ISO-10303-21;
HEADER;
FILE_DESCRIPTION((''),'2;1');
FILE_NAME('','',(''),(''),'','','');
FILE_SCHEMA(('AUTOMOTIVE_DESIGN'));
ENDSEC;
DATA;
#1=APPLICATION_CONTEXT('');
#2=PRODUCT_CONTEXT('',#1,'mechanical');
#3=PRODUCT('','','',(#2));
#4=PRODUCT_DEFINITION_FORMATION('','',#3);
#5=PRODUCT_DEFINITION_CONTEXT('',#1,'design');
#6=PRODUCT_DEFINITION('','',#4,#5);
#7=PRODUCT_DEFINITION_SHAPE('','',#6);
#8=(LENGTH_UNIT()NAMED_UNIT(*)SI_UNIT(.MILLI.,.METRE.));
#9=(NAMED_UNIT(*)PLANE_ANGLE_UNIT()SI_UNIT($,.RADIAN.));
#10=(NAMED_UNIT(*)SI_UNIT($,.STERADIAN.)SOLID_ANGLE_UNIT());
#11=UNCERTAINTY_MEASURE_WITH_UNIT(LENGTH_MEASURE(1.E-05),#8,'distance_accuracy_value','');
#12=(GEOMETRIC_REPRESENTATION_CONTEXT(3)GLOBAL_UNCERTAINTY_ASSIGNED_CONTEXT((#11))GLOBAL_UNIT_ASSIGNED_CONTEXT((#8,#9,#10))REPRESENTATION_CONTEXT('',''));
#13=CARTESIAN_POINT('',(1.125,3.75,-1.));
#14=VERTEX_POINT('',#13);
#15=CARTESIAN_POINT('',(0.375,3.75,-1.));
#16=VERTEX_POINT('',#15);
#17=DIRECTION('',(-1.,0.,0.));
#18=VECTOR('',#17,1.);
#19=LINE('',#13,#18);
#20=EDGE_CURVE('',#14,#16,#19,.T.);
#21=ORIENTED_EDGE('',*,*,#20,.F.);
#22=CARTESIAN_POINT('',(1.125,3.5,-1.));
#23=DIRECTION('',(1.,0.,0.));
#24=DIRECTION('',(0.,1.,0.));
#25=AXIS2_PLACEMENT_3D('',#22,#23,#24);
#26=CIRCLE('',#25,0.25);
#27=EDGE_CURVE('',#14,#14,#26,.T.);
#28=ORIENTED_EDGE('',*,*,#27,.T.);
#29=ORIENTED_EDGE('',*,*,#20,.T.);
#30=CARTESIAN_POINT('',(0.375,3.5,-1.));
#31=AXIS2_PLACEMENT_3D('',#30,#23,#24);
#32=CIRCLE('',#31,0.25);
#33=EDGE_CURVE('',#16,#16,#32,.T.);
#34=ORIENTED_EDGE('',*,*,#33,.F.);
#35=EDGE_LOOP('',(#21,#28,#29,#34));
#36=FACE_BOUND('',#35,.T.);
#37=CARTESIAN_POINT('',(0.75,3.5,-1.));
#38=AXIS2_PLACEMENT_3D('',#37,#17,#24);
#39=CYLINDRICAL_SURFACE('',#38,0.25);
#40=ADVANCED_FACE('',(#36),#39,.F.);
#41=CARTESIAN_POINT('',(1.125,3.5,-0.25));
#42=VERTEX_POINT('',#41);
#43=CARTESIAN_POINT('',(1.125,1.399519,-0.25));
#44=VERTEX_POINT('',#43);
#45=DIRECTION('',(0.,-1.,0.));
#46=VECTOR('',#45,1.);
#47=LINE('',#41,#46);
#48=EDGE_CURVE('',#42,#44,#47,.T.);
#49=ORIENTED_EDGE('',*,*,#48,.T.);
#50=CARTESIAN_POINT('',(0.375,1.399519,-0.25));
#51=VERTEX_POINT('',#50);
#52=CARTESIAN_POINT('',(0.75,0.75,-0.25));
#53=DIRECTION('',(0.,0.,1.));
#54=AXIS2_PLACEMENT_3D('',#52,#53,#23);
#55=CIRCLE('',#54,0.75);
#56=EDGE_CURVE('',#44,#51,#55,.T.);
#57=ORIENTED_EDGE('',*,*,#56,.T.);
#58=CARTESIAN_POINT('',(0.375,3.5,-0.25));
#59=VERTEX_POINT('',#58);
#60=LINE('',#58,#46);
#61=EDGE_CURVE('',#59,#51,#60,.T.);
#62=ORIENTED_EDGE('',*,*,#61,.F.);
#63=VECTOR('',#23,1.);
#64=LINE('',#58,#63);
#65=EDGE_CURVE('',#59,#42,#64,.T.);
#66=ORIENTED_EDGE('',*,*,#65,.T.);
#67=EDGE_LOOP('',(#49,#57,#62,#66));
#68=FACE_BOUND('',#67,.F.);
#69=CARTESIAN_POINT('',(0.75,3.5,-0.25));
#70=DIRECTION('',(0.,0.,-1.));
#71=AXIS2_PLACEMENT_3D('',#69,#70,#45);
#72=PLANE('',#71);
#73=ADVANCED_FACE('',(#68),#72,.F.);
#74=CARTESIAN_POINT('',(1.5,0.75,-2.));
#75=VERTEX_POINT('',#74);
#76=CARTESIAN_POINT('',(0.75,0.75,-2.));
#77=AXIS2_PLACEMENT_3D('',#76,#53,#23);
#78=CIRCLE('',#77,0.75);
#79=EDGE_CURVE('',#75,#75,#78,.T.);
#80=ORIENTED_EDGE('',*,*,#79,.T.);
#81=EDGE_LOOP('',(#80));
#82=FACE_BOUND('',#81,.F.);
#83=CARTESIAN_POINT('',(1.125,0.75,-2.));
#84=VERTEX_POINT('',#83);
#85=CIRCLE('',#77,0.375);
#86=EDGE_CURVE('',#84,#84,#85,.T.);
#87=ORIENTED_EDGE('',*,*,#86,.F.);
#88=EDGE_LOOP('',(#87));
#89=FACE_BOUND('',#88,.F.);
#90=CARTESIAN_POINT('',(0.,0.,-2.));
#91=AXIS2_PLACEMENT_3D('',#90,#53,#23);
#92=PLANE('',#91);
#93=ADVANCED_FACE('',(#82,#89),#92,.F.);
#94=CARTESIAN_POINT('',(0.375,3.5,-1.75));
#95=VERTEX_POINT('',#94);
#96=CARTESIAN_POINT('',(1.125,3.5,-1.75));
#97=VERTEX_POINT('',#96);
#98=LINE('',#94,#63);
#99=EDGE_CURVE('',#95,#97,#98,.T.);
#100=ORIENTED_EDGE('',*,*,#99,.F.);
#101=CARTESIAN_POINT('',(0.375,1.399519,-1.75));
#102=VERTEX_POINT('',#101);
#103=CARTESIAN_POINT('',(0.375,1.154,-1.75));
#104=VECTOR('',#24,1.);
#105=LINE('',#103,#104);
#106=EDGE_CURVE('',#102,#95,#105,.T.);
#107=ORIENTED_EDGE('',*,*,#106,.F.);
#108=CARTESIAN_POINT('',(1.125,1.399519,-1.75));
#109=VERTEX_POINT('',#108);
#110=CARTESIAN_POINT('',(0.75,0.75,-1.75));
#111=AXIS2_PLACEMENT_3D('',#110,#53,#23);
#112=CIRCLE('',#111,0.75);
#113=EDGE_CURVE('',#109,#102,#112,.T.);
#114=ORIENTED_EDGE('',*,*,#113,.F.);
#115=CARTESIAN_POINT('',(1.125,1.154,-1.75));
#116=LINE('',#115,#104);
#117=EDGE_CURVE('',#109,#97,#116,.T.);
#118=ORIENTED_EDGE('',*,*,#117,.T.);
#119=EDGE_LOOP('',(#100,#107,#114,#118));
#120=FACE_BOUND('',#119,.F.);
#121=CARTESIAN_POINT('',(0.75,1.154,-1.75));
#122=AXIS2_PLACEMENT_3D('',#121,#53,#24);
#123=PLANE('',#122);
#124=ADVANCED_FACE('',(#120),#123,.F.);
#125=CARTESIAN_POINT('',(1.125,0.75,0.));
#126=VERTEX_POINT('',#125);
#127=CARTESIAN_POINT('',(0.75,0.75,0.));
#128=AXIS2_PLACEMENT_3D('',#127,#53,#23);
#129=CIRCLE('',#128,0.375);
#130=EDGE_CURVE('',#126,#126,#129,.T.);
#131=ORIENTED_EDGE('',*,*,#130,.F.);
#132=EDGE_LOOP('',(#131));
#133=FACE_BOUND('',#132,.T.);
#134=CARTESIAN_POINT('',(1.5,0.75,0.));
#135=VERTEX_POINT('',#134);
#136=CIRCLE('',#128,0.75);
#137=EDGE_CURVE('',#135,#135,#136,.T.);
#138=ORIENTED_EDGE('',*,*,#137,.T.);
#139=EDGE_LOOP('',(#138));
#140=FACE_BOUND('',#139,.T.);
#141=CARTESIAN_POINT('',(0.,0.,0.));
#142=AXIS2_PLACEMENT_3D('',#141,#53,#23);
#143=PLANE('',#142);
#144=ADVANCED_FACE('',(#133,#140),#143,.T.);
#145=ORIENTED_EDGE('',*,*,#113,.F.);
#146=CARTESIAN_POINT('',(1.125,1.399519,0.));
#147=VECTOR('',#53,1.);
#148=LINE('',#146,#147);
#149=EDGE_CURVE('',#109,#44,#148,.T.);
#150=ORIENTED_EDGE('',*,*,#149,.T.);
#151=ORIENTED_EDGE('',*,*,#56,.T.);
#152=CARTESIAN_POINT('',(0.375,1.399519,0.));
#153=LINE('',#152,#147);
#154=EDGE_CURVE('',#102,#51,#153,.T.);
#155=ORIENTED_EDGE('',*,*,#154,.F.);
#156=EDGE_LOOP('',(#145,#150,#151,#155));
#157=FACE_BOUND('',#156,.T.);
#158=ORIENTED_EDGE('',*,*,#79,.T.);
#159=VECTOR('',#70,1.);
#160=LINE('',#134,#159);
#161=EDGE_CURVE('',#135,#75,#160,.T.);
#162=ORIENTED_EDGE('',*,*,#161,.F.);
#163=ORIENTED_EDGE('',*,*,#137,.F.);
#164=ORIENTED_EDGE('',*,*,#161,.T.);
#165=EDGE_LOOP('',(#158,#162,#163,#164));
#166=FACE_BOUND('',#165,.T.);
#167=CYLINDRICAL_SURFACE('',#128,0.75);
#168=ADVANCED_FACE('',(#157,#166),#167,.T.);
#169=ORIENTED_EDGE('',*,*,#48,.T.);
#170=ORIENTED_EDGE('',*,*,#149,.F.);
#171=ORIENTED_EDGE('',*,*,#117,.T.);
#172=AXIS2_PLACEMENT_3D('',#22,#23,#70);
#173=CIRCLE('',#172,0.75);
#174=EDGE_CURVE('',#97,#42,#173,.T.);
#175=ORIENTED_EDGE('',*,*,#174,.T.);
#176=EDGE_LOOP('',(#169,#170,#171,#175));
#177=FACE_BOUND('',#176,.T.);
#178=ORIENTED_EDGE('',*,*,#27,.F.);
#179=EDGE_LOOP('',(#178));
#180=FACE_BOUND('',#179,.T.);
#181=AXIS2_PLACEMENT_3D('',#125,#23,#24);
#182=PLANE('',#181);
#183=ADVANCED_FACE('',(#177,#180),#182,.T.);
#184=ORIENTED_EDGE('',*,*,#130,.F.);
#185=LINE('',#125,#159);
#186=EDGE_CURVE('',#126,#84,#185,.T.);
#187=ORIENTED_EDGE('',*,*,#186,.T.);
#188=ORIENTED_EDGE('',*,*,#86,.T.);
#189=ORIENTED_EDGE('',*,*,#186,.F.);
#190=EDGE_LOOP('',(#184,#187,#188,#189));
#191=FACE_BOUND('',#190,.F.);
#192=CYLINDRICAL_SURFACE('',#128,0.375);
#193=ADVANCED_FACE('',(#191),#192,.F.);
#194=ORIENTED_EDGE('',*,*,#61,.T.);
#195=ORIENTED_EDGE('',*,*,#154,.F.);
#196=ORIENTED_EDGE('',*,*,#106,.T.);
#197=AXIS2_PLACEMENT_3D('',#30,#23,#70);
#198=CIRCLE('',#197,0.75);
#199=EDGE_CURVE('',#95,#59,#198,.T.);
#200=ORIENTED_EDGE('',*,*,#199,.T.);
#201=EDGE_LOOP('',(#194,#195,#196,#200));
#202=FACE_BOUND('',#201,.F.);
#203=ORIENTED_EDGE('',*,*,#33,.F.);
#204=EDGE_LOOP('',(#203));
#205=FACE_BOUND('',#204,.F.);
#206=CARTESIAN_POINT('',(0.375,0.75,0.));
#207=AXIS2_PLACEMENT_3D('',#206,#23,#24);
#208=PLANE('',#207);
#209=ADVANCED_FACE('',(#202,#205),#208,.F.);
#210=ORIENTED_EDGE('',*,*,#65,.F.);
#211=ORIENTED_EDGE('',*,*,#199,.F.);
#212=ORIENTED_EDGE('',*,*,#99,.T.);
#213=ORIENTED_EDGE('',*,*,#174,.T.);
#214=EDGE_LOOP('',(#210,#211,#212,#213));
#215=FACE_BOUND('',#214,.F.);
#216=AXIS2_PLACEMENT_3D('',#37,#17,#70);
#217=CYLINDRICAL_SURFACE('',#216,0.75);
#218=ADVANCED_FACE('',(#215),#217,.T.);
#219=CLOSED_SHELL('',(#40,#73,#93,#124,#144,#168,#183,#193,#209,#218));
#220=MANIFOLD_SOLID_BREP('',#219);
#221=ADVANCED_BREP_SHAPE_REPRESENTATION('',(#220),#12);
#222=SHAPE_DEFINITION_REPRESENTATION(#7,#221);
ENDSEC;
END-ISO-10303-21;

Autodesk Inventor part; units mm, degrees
ref_plane "XZ Plane" through (0, 0, 0) normal (0, 1, 0) x (-1, 0, 0)
ref_plane "XY Plane" through (0, 0, 0) normal (0, 0, 1) x (1, 0, 0)
sketch "Sketch1" plane through (0, 0, 0) normal (0, 0, 1) x (1, 0, 0)
  circle A0 centre (0.75, 0.75) radius 0.75
  circle A1 centre (0.75, 0.75) radius 0.375
  line L0 (0.3443, 1.3808) -> (1.8045, 1.3808) construction
  point P0 (0, 0)
  dimension "d0" = 1.5
  dimension "d1" = 0.75
extrude "Extrusion1" add sketch "Sketch1" against normal blind 2
ref_plane "Work Plane1" through (0.75, 0.75, 0) normal (1, 0, 0) x (0, 1, 0)
sketch "Sketch2" plane through (0.75, 0.75, 0) normal (1, 0, 0) x (0, 1, 0)
  line L0 (-0.75, 0) -> (0.75, 0) projected
  line L1 (0, 0) -> (0, -3.3521)
  arc A0 (2.75, -1.75) -> (2.75, -0.25) centre (2.75, -1) ccw
  line L2 (2.75, -1) -> (2.75, -0.25) construction
  line L3 (2.75, -1) -> (2.75, -1.75) construction
  line L4 (2.75, -0.25) -> (0.404, -0.25)
  line L5 (2.75, -0.25) -> (5.096, -0.25) construction
  line L6 (0.404, -0.25) -> (0.404, -1.75)
  line L7 (0.404, -1.75) -> (2.75, -1.75)
  circle A1 centre (2.75, -1) radius 0.25
  dimension "d5" = 1
  dimension "d6" = 2.75
  dimension "d7" = 0.75
  dimension "d8" = 180
  dimension "d9" = 180
  dimension "d10" = 0.5
extrude "Extrusion2" add sketch "Sketch2" along normal mid plane 0.75
properties part number "7a"
